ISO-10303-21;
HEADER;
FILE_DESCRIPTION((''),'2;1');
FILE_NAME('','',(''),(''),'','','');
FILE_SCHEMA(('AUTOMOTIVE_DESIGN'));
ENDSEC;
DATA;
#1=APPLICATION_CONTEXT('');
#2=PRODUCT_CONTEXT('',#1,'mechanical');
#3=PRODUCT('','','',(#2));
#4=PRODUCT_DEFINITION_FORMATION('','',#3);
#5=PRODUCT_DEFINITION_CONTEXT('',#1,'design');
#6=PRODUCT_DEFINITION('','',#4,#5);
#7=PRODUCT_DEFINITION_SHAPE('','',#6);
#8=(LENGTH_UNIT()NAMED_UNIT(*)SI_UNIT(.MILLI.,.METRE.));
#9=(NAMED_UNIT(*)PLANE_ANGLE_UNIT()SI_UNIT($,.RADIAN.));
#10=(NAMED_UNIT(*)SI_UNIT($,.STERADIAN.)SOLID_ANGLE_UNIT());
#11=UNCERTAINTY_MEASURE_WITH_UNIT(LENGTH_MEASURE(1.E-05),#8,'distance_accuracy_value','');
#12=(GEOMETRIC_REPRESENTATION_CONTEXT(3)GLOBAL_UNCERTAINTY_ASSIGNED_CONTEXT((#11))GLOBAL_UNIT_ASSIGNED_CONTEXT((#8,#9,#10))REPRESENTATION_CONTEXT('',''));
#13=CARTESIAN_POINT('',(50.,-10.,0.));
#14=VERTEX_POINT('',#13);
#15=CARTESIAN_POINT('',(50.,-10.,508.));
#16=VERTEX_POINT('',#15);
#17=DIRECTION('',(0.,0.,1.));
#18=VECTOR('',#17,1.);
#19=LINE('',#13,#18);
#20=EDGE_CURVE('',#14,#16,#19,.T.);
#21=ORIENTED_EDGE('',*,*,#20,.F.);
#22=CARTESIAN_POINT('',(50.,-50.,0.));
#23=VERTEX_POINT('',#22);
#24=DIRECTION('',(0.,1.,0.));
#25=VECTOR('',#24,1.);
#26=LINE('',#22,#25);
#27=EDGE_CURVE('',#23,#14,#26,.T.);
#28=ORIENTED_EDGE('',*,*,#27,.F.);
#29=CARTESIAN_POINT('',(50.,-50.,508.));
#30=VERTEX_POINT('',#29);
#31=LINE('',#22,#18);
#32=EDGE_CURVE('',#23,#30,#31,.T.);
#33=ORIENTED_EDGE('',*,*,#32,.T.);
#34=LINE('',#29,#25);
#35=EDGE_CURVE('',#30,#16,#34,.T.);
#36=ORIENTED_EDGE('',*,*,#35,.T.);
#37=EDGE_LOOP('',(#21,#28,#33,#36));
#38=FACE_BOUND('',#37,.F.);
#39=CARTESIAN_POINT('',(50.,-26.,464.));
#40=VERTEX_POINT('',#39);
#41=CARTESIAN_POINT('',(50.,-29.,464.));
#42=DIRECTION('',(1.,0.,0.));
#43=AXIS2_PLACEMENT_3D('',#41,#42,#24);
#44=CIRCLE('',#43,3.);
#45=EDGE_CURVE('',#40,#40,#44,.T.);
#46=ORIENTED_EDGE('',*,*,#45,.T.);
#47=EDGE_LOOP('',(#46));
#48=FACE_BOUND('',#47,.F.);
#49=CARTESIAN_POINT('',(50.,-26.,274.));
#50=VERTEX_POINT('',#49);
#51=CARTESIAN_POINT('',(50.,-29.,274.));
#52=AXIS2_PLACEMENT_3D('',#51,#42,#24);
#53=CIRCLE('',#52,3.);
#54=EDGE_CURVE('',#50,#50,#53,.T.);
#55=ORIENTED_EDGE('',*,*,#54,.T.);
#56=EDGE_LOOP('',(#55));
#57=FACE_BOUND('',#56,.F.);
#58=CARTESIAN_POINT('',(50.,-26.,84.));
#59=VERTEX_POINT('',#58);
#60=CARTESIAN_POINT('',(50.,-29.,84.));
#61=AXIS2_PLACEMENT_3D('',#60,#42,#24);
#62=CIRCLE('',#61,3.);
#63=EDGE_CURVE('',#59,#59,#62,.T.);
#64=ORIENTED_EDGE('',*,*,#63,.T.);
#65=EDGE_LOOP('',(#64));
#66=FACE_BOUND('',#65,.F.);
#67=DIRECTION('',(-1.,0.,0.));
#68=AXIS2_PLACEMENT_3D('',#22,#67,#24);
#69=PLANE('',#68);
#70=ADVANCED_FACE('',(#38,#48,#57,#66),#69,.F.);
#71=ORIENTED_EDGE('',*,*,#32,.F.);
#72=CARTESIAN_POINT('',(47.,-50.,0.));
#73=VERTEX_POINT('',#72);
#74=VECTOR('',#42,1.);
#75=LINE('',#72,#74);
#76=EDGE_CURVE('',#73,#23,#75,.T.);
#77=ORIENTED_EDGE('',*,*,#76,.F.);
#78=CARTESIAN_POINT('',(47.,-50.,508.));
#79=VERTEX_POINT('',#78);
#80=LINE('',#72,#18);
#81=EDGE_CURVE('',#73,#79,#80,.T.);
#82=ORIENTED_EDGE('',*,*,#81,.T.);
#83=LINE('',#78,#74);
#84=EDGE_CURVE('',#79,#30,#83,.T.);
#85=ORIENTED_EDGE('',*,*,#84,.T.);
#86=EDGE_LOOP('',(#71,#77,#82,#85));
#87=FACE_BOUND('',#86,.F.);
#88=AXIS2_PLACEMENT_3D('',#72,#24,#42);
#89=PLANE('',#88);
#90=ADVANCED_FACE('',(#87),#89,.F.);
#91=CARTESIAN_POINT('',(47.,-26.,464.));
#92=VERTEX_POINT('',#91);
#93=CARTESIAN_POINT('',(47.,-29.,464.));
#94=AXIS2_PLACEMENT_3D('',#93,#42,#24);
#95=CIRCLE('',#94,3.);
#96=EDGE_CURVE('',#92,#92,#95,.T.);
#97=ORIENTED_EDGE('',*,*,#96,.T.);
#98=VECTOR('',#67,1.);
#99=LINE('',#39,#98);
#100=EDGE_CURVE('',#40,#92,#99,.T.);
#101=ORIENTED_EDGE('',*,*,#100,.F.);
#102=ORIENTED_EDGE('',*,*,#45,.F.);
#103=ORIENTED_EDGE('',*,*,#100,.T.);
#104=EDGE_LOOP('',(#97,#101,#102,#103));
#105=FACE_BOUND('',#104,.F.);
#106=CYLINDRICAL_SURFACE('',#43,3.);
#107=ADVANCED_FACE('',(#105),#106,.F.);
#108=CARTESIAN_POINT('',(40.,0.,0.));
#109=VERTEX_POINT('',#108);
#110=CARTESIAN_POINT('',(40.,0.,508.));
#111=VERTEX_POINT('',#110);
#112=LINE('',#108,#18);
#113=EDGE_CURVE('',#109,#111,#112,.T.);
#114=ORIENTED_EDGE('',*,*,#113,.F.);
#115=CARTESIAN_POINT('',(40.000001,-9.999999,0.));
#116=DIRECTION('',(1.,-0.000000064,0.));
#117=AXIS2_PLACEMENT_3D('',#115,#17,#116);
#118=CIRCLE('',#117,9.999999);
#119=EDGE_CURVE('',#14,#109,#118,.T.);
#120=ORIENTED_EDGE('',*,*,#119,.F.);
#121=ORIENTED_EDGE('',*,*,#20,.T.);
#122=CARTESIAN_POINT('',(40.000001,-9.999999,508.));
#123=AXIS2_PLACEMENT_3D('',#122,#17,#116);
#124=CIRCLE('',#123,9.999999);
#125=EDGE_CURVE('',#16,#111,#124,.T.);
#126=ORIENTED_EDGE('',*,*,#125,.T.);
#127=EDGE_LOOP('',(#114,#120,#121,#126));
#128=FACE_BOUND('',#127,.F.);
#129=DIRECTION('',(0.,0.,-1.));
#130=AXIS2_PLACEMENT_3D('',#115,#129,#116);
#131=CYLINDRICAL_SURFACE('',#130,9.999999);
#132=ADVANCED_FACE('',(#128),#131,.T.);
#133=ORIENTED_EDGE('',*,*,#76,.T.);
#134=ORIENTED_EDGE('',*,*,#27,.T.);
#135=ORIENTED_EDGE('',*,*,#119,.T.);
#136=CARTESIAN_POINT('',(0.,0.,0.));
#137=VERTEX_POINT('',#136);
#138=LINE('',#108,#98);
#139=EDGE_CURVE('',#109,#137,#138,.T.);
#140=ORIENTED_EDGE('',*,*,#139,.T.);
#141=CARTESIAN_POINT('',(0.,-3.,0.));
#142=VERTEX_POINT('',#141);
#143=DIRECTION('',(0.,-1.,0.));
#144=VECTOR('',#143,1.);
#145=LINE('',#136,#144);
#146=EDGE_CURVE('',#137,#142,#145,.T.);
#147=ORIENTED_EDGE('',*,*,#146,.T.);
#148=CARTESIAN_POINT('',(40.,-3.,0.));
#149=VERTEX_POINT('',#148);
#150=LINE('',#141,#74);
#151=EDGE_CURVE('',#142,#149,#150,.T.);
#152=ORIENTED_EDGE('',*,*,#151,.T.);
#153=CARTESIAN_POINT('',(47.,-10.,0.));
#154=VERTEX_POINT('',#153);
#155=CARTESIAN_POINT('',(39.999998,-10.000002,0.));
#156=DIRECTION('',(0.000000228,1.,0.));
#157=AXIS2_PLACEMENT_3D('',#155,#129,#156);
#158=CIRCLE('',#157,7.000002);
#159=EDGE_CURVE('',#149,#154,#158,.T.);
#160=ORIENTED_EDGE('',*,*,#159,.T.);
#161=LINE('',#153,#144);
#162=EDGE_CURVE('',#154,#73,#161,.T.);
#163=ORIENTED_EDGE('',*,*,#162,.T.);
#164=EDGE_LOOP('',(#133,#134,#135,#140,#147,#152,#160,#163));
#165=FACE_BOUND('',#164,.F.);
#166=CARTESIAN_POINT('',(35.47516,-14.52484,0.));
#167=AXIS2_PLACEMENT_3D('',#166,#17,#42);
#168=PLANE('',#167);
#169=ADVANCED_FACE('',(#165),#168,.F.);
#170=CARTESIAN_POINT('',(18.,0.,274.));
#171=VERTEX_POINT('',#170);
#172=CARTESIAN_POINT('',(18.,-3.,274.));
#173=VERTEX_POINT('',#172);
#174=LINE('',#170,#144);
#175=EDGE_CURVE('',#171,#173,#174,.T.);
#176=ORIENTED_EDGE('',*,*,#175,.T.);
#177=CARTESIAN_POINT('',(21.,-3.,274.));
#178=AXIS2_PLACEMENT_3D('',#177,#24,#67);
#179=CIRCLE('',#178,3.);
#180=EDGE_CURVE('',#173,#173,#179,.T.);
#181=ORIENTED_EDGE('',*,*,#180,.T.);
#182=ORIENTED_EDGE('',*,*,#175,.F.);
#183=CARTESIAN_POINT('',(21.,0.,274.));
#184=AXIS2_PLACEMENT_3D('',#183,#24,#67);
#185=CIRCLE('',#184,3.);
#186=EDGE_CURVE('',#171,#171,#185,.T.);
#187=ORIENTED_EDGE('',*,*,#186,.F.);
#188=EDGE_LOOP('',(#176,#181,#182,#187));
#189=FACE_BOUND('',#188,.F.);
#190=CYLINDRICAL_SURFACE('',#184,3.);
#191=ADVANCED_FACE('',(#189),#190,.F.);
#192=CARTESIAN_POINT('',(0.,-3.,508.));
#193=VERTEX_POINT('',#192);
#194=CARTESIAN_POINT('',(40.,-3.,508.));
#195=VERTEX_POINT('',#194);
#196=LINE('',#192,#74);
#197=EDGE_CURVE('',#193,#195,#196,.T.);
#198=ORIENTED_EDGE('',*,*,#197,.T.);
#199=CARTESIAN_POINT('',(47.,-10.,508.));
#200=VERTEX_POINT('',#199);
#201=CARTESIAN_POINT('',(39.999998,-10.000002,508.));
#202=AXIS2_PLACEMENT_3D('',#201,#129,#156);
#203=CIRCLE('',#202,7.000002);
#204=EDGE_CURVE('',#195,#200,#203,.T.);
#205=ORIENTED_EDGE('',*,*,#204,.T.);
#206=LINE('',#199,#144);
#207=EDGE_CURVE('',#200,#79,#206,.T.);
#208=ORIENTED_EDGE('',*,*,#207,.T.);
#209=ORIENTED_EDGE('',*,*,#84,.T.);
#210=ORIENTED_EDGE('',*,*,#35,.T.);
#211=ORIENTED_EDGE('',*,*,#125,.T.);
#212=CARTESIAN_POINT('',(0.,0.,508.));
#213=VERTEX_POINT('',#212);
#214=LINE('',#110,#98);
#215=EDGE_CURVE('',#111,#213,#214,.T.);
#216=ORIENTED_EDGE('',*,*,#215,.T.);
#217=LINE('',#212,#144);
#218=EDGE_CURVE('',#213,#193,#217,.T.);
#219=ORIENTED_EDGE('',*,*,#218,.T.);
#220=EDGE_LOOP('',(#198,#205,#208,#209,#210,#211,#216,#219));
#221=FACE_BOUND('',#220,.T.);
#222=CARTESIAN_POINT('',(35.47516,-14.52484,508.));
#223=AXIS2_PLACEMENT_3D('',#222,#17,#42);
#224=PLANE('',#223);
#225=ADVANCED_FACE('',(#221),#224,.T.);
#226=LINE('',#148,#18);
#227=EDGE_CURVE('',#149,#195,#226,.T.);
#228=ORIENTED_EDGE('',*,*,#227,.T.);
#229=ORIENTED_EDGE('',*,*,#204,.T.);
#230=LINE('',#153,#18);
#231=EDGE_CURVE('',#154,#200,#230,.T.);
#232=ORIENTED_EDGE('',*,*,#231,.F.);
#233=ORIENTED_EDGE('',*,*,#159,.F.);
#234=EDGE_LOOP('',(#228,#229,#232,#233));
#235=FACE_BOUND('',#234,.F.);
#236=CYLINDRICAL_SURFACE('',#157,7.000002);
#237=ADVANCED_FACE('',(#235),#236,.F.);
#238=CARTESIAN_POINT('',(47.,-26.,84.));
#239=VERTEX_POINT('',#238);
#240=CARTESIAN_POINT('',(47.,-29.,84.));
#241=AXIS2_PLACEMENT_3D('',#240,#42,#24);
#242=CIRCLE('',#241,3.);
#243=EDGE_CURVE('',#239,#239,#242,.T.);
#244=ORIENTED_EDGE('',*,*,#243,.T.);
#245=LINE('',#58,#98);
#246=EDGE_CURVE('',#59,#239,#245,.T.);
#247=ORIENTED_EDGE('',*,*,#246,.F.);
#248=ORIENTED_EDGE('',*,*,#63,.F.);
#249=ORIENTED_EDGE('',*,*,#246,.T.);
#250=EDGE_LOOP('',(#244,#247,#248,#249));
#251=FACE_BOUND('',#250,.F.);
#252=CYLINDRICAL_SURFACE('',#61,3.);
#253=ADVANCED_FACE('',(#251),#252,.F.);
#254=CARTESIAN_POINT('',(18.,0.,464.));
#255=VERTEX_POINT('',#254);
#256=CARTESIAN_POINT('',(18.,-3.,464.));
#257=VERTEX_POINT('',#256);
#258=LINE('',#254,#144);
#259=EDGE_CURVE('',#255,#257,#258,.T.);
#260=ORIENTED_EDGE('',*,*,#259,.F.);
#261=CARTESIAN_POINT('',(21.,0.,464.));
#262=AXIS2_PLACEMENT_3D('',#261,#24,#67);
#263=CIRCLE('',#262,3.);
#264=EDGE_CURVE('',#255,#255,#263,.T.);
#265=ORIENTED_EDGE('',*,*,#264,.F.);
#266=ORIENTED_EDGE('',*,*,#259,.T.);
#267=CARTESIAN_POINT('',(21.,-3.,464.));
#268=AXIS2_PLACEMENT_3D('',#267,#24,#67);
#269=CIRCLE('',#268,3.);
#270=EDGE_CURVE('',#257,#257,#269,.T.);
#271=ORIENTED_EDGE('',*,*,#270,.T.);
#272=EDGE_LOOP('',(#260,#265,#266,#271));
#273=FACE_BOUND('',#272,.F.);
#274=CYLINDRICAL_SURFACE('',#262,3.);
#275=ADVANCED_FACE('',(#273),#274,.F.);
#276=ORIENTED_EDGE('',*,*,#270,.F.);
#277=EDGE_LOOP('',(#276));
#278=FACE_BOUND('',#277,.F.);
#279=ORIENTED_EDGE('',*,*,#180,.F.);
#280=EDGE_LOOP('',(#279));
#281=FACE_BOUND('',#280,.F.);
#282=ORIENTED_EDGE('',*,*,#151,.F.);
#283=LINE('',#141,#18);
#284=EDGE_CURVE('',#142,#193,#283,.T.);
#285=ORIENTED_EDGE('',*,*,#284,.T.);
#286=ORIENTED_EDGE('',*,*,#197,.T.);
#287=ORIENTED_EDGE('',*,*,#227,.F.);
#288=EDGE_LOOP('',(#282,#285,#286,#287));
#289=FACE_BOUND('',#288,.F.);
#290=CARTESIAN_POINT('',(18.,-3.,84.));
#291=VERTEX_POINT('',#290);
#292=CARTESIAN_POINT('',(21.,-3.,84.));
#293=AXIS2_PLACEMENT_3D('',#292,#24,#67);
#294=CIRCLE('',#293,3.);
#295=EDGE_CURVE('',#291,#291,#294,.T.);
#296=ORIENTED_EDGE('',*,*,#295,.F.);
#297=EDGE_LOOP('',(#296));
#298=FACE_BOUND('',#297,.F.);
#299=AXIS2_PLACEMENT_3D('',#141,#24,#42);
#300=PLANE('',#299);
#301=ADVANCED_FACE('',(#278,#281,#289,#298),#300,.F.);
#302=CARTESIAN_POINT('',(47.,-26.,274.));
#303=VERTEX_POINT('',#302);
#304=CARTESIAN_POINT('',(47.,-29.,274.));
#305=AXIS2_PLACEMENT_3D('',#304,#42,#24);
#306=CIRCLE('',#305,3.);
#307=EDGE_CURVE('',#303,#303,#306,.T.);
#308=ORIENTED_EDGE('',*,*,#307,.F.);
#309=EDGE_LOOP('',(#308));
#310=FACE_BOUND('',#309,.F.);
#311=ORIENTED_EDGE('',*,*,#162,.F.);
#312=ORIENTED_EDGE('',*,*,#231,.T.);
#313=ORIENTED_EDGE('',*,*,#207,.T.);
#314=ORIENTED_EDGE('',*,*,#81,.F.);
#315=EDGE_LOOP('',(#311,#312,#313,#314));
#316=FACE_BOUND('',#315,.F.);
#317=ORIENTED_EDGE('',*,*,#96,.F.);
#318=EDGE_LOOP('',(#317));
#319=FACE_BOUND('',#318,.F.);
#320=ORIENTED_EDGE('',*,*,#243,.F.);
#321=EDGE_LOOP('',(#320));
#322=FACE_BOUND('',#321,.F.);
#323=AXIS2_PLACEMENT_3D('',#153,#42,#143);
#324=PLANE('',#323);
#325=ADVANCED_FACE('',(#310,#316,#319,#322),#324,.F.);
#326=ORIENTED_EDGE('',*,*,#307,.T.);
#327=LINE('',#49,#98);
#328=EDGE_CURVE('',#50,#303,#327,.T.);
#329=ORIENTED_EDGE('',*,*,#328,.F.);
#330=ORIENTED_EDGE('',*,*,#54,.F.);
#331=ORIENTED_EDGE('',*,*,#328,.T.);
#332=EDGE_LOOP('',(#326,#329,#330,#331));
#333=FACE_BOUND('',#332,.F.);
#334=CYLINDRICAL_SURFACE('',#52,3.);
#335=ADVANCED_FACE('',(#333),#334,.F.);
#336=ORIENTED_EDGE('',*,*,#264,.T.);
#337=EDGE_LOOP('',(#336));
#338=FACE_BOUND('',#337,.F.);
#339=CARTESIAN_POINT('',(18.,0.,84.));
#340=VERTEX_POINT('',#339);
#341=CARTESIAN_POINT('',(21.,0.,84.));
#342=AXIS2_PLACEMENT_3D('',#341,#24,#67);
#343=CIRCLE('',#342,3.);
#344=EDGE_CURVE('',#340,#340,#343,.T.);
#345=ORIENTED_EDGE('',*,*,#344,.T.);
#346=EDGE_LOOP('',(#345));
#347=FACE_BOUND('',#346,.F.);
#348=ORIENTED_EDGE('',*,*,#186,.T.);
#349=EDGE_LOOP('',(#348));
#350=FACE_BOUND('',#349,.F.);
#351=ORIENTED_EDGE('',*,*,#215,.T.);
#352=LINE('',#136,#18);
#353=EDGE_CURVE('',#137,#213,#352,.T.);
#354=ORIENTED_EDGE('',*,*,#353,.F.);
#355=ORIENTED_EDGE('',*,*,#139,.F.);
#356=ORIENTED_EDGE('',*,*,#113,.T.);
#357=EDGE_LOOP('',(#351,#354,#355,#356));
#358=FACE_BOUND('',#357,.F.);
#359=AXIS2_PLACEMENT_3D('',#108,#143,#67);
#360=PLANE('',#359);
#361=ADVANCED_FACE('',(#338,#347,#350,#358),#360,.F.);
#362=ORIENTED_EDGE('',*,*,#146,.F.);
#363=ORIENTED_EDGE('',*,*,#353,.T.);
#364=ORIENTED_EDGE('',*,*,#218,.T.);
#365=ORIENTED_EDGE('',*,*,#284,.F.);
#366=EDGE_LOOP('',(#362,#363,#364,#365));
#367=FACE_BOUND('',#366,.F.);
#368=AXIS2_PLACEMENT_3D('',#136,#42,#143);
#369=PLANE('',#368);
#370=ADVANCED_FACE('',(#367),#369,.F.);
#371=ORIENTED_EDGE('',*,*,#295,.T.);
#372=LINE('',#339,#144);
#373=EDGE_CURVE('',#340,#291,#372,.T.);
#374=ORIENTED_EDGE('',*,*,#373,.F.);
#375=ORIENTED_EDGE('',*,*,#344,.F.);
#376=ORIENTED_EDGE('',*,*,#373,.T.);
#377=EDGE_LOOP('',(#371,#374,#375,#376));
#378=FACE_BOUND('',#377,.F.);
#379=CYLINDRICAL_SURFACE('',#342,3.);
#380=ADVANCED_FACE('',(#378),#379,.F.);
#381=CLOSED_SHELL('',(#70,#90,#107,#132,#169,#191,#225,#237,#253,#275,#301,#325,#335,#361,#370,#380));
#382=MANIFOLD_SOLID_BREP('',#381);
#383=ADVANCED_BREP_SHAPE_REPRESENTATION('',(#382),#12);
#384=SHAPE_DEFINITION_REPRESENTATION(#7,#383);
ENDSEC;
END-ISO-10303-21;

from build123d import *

# Parameters (mm, degrees)
F1_DEPTH = 508
F2_R     = 3
F3_DEPTH = 50.001
F4_R     = 3
F5_DEPTH = 50.001


with BuildPart() as f1:
    # F0 (on Top) → F1 (new body)
    with BuildSketch(Plane.XY):
        with BuildLine():
            Line((40, 0), (0, 0))
            Line((0, 0), (0, -3))
            Line((0, -3), (40, -3))
            ThreePointArc((40, -3), (44.949747, -5.050253), (47, -10))
            Line((47, -10), (47, -50))
            Line((47, -50), (50, -50))
            Line((50, -50), (50, -10))
            ThreePointArc((50, -10), (47.071068, -2.928932), (40, 0))
        make_face()
    extrude(amount=F1_DEPTH)

    # F2 (on face) → F3 (cut, through all)
    with BuildSketch(Plane(origin=(0, 0, 0), x_dir=(-1, 0, 0), z_dir=(0, 1, 0))):
        with Locations((-21, 464)):
            Circle(F2_R)
        with Locations((-21, 274)):
            Circle(F2_R)
        with Locations((-21, 84)):
            Circle(F2_R)
    extrude(amount=-F3_DEPTH, mode=Mode.SUBTRACT)

    # F4 (on face) → F5 (cut, through all)
    with BuildSketch(Plane.YZ.offset(50)):
        with Locations((-29, 464)):
            Circle(F4_R)
        with Locations((-29, 274)):
            Circle(F4_R)
        with Locations((-29, 84)):
            Circle(F4_R)
    extrude(amount=-F5_DEPTH, mode=Mode.SUBTRACT)


solid = f1.part
